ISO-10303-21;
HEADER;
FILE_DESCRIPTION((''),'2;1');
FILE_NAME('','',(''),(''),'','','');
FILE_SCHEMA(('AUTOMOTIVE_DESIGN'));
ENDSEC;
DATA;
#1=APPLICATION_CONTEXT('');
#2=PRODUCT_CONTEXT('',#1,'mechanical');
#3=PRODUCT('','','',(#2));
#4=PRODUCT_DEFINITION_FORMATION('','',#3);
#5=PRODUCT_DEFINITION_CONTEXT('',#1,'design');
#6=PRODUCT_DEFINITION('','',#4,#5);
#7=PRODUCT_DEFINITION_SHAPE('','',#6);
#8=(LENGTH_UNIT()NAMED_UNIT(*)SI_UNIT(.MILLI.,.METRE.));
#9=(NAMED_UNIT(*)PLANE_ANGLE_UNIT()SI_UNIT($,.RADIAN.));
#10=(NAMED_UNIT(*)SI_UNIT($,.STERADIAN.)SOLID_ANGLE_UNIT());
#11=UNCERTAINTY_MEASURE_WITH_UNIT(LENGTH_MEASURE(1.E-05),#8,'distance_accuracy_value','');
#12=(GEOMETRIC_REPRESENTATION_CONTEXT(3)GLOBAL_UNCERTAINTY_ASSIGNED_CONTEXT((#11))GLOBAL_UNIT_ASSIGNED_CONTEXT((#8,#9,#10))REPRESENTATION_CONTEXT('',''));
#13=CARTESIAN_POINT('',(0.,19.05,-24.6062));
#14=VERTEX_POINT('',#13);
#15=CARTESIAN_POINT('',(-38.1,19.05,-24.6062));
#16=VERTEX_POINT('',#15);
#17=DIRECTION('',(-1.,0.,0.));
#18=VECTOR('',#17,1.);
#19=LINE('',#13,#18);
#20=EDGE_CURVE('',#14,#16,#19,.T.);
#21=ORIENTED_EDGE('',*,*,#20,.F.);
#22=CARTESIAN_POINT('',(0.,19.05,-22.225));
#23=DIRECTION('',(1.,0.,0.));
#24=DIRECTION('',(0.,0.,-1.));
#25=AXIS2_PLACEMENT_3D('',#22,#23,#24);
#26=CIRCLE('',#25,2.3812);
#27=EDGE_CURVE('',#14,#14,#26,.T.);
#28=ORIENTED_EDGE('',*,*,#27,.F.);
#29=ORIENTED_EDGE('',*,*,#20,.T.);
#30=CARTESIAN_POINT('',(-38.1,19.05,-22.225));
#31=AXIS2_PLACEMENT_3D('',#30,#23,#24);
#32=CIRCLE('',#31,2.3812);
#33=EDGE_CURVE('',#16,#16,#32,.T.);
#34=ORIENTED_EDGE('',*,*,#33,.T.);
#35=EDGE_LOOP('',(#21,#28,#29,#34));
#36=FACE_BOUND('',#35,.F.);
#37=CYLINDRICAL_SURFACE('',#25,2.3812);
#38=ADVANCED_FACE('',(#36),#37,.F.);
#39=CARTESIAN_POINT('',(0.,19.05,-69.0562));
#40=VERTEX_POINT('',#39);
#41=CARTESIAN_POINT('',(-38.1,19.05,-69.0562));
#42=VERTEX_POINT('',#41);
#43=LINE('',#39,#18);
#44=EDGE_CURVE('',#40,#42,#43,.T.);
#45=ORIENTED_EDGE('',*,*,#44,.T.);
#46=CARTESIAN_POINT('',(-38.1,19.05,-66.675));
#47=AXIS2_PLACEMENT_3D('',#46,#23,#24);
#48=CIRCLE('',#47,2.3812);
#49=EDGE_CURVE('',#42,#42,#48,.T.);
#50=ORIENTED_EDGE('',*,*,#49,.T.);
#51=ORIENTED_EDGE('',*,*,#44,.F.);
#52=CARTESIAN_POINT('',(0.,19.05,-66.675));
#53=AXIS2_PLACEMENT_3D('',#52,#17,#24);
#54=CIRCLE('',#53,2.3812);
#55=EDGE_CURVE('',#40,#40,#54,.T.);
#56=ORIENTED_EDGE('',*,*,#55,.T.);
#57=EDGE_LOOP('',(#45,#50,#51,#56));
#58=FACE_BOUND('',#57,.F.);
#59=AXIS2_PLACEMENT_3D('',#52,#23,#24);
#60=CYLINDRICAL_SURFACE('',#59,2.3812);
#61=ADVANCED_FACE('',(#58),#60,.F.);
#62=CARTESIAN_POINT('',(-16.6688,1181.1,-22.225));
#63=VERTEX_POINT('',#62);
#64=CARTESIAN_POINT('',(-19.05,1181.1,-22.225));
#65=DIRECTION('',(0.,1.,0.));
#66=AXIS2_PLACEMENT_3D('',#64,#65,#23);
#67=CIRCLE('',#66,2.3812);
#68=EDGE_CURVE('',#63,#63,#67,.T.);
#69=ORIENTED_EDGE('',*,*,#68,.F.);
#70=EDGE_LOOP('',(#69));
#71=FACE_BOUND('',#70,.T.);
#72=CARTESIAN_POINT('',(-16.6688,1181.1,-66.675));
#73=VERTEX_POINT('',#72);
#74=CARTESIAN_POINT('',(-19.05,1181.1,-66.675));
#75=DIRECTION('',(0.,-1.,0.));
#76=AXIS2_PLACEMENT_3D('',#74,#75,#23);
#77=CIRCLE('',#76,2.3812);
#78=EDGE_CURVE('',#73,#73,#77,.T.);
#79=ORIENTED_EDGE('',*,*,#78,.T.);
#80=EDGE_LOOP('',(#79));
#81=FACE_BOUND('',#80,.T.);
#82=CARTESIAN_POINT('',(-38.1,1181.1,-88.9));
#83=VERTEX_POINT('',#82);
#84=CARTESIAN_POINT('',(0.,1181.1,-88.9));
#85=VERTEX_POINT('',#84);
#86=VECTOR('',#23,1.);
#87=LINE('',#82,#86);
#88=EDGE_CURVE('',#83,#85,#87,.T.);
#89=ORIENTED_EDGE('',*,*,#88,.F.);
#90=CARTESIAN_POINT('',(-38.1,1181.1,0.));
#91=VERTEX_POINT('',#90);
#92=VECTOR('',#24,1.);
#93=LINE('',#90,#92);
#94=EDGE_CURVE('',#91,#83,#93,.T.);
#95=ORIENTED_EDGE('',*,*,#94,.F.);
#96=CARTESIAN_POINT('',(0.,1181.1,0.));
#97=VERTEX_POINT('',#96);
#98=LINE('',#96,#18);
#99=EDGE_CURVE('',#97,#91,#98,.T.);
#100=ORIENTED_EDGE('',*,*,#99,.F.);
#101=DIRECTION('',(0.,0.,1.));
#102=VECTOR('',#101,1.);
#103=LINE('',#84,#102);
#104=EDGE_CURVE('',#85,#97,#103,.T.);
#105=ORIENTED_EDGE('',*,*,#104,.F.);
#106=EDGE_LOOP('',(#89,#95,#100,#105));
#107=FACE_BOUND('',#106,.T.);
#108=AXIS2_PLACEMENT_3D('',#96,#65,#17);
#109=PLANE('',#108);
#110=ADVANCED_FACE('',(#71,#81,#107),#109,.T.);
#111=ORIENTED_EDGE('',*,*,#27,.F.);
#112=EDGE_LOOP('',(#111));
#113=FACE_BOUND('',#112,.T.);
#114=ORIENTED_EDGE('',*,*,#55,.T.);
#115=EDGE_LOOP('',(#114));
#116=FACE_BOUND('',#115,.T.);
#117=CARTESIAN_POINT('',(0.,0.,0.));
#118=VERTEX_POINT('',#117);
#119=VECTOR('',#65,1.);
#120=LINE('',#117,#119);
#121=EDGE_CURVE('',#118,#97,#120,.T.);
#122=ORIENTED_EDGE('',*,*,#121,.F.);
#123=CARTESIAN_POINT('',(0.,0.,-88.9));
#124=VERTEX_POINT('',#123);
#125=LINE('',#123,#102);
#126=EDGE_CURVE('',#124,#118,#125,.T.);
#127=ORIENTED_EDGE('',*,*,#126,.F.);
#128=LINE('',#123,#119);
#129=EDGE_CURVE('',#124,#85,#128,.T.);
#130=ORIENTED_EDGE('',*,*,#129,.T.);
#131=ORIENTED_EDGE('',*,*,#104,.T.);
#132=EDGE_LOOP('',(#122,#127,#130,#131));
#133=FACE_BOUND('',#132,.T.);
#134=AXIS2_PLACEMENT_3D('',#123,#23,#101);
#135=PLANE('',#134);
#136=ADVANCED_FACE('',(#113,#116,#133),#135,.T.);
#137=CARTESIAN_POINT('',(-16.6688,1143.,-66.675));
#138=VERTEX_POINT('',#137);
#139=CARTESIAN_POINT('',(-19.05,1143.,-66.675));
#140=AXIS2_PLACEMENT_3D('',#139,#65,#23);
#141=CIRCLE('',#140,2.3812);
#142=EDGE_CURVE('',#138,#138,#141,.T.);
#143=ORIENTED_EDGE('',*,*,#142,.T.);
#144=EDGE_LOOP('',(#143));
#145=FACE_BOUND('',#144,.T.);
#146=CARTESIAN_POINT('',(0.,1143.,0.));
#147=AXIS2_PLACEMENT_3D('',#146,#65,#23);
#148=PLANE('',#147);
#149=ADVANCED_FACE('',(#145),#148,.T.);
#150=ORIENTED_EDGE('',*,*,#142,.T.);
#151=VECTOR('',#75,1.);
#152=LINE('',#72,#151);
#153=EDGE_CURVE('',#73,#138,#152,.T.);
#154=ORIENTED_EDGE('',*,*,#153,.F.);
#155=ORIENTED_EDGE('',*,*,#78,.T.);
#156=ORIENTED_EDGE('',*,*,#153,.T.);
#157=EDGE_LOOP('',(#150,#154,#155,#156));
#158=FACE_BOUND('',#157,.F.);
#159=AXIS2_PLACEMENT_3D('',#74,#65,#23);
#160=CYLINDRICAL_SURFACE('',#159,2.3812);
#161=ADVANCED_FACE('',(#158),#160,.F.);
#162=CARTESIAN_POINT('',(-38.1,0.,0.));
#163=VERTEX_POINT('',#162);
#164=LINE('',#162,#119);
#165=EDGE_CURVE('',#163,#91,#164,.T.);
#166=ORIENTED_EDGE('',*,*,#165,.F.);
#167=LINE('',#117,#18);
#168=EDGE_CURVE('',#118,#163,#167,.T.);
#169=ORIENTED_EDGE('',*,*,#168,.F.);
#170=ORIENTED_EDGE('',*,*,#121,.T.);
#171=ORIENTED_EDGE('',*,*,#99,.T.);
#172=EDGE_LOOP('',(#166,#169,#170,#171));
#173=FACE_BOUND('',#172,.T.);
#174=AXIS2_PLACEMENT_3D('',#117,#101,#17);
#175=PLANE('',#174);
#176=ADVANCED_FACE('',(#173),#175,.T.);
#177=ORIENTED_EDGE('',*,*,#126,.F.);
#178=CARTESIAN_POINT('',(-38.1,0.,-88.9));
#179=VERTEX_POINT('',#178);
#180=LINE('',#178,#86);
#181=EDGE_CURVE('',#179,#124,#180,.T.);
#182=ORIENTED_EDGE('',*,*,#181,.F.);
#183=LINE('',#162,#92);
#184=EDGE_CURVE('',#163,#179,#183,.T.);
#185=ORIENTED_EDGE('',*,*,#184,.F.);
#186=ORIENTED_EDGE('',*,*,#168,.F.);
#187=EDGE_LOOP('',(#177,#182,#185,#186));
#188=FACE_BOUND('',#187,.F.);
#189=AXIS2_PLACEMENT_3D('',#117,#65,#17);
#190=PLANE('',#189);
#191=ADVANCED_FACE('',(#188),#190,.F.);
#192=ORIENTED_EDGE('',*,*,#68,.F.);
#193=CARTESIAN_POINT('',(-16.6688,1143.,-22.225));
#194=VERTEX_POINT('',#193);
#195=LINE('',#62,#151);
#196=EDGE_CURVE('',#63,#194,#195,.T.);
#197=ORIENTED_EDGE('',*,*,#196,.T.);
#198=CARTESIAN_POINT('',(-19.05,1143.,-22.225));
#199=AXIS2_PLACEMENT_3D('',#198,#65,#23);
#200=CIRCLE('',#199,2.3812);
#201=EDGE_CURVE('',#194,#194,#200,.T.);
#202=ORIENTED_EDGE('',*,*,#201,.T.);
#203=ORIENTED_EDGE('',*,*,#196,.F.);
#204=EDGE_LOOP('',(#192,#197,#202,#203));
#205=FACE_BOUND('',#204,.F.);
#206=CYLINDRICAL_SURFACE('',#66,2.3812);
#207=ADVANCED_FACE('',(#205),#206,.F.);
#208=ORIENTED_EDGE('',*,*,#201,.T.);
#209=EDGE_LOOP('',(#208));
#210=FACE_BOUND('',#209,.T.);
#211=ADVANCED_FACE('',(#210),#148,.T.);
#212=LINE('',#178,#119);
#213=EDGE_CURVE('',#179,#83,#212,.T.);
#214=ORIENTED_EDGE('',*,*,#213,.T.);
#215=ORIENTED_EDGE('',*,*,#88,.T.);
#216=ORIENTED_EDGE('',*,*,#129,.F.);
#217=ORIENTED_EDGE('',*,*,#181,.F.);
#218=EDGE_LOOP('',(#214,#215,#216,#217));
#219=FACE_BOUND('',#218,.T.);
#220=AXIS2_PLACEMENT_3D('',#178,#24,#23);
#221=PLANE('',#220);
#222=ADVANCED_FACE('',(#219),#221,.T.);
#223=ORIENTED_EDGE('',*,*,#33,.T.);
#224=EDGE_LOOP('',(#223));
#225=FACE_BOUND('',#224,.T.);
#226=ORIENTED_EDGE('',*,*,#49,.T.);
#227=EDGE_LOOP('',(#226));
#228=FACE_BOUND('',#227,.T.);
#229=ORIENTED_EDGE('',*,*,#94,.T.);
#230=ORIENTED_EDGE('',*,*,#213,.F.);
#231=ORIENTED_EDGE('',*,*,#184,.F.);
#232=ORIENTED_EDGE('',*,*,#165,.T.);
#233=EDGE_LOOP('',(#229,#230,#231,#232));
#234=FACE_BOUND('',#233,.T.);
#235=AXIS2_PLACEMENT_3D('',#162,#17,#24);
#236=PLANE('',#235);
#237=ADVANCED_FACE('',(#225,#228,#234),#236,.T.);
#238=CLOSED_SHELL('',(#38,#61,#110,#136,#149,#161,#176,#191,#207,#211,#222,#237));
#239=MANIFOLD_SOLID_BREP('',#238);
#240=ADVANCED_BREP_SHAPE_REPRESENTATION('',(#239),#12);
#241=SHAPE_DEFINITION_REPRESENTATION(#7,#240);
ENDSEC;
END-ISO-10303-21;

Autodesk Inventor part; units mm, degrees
ref_plane "YZ Plane" through (0, 0, 0) normal (1, 0, 0) x (0, 1, 0)
ref_plane "XZ Plane" through (0, 0, 0) normal (0, 1, 0) x (-1, 0, 0)
ref_plane "XY Plane" through (0, 0, 0) normal (0, 0, 1) x (1, 0, 0)
sketch "Sketch1" plane through (0, 0, 0) normal (0, 1, 0) x (-1, 0, 0)
  line L0 (0, 0) -> (38.1, 0)
  line L1 (38.1, 0) -> (38.1, -88.9)
  line L2 (38.1, -88.9) -> (0, -88.9)
  line L3 (0, -88.9) -> (0, 0)
  dimension "d0" = 38.1
  dimension "d1" = 88.9
extrude "Wood" add sketch "Sketch1" along normal blind 1181.1
sketch "Sketch4" plane through (0, 1181.1, 0) normal (0, 1, 0) x (1, 0, 0)
  line L0 (-38.1, 0) -> (0, 0) projected
  line L1 (0, 88.9) -> (-38.1, 88.9) projected
  line L2 (0, 0) -> (-38.1, 0)
  line L3 (-38.1, 0) -> (-38.1, 88.9)
  line L4 (-38.1, 88.9) -> (0, 88.9)
  line L5 (0, 88.9) -> (0, 0)
  line L6 (-19.05, 88.9) -> (-38.1, 88.9)
  line L7 (-38.1, 88.9) -> (-38.1, 44.45)
  line L8 (-38.1, 44.45) -> (-19.05, 44.45)
  line L9 (-19.05, 44.45) -> (-19.05, 88.9)
  line L10 (-19.05, 66.675) -> (0, 66.675)
  line L11 (0, 66.675) -> (0, 44.45)
  line L12 (0, 44.45) -> (-19.05, 44.45)
  line L13 (-19.05, 44.45) -> (-19.05, 66.675)
  circle A0 centre (-19.05, 66.675) radius 2.3812
  circle A1 centre (-19.05, 22.225) radius 2.3812
  dimension "d11" = 4.7625
extrude "Extrusion4" cut sketch "Sketch4" against normal blind 38.1 contours A0 L9 | L9 L10 A0 | L10 L9 A0 | A1
sketch "Sketch5" plane through (0, 0, 0) normal (1, 0, 0) x (0, 0, -1)
  line L0 (88.9, 0) -> (0, 0) projected
  line L1 (88.9, 0) -> (88.9, 1181.1) projected
  line L2 (0, 0) -> (88.9, 0)
  line L3 (88.9, 0) -> (88.9, 38.1)
  line L4 (88.9, 38.1) -> (0, 38.1)
  line L5 (0, 38.1) -> (0, 0)
  line L6 (88.9, 0) -> (44.45, 0)
  line L7 (44.45, 0) -> (44.45, 38.1)
  line L8 (44.45, 38.1) -> (88.9, 38.1)
  line L9 (88.9, 38.1) -> (88.9, 0)
  line L10 (44.45, 38.1) -> (66.675, 38.1)
  line L11 (66.675, 38.1) -> (66.675, 19.05)
  line L12 (66.675, 19.05) -> (44.45, 19.05)
  line L13 (44.45, 19.05) -> (44.45, 38.1)
  circle A0 centre (66.675, 19.05) radius 2.3812
  circle A1 centre (22.225, 19.05) radius 2.3812
  dimension "d14" = 38.1
  dimension "d15" = 4.7625
extrude "Extrusion5" cut sketch "Sketch5" against normal up to surface (38.1 mm away) contours A0 L11 L12 | L12 L11 A0 | A1
properties part number "wallLeftShort" material "Wood (Birch)"
